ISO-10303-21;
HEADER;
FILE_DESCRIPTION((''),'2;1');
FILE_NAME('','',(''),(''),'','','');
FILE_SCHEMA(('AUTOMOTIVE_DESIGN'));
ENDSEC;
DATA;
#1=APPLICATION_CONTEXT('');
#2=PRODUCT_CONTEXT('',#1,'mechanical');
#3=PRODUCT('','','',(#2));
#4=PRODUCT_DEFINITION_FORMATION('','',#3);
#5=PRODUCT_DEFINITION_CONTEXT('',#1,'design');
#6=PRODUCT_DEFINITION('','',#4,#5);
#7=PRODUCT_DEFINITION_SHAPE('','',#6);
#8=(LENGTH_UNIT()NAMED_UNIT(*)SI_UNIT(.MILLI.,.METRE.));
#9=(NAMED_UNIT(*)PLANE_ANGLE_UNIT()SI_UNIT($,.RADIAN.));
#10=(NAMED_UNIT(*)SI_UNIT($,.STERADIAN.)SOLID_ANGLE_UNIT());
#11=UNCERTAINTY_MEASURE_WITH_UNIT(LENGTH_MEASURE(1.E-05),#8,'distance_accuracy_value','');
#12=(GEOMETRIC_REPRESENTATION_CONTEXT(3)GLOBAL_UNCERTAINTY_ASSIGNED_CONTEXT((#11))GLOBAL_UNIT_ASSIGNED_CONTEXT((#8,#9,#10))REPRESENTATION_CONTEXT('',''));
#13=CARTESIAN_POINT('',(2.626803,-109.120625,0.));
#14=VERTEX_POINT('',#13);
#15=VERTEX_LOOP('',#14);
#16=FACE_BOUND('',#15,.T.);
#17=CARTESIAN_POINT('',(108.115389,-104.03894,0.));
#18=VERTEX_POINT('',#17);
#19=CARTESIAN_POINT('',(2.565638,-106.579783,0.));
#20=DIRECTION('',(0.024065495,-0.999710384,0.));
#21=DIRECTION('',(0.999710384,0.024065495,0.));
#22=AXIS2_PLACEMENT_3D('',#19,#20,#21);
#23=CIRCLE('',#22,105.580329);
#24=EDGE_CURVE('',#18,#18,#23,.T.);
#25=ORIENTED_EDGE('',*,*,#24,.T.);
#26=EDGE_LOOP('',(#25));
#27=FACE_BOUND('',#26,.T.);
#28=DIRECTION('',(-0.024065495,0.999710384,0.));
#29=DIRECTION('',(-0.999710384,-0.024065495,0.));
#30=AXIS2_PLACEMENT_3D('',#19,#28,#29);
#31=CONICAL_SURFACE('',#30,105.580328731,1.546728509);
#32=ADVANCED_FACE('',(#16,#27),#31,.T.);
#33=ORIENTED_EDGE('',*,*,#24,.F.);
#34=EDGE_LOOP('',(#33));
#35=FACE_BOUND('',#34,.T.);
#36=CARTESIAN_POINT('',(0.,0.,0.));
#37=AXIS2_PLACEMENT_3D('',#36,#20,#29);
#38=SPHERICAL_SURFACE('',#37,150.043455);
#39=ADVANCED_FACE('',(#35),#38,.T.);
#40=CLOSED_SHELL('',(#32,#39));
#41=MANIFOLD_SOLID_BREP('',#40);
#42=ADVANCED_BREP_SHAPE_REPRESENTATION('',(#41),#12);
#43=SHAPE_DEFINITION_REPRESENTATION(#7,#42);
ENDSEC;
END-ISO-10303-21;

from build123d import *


with BuildPart() as part:
    # Sketch2 → Revolve3 (revolve)
    with BuildSketch(Plane.XY):
        with BuildLine():
            Line((0, 0), (-3.610869979, 150))
            ThreePointArc((-3.610869979, 150), (-140.094600977, 53.726540546), (-102.984112733, -109.120625487))
            Line((-102.984112733, -109.120625487), (2.626802604, -109.120625487))
            Line((2.626802604, -109.120625487), (0, 0))
        make_face()
    revolve(axis=Axis((0, 0, 0), (-0.024065494756838147, 0.9997103840423529, 0)))


solid = part.part
